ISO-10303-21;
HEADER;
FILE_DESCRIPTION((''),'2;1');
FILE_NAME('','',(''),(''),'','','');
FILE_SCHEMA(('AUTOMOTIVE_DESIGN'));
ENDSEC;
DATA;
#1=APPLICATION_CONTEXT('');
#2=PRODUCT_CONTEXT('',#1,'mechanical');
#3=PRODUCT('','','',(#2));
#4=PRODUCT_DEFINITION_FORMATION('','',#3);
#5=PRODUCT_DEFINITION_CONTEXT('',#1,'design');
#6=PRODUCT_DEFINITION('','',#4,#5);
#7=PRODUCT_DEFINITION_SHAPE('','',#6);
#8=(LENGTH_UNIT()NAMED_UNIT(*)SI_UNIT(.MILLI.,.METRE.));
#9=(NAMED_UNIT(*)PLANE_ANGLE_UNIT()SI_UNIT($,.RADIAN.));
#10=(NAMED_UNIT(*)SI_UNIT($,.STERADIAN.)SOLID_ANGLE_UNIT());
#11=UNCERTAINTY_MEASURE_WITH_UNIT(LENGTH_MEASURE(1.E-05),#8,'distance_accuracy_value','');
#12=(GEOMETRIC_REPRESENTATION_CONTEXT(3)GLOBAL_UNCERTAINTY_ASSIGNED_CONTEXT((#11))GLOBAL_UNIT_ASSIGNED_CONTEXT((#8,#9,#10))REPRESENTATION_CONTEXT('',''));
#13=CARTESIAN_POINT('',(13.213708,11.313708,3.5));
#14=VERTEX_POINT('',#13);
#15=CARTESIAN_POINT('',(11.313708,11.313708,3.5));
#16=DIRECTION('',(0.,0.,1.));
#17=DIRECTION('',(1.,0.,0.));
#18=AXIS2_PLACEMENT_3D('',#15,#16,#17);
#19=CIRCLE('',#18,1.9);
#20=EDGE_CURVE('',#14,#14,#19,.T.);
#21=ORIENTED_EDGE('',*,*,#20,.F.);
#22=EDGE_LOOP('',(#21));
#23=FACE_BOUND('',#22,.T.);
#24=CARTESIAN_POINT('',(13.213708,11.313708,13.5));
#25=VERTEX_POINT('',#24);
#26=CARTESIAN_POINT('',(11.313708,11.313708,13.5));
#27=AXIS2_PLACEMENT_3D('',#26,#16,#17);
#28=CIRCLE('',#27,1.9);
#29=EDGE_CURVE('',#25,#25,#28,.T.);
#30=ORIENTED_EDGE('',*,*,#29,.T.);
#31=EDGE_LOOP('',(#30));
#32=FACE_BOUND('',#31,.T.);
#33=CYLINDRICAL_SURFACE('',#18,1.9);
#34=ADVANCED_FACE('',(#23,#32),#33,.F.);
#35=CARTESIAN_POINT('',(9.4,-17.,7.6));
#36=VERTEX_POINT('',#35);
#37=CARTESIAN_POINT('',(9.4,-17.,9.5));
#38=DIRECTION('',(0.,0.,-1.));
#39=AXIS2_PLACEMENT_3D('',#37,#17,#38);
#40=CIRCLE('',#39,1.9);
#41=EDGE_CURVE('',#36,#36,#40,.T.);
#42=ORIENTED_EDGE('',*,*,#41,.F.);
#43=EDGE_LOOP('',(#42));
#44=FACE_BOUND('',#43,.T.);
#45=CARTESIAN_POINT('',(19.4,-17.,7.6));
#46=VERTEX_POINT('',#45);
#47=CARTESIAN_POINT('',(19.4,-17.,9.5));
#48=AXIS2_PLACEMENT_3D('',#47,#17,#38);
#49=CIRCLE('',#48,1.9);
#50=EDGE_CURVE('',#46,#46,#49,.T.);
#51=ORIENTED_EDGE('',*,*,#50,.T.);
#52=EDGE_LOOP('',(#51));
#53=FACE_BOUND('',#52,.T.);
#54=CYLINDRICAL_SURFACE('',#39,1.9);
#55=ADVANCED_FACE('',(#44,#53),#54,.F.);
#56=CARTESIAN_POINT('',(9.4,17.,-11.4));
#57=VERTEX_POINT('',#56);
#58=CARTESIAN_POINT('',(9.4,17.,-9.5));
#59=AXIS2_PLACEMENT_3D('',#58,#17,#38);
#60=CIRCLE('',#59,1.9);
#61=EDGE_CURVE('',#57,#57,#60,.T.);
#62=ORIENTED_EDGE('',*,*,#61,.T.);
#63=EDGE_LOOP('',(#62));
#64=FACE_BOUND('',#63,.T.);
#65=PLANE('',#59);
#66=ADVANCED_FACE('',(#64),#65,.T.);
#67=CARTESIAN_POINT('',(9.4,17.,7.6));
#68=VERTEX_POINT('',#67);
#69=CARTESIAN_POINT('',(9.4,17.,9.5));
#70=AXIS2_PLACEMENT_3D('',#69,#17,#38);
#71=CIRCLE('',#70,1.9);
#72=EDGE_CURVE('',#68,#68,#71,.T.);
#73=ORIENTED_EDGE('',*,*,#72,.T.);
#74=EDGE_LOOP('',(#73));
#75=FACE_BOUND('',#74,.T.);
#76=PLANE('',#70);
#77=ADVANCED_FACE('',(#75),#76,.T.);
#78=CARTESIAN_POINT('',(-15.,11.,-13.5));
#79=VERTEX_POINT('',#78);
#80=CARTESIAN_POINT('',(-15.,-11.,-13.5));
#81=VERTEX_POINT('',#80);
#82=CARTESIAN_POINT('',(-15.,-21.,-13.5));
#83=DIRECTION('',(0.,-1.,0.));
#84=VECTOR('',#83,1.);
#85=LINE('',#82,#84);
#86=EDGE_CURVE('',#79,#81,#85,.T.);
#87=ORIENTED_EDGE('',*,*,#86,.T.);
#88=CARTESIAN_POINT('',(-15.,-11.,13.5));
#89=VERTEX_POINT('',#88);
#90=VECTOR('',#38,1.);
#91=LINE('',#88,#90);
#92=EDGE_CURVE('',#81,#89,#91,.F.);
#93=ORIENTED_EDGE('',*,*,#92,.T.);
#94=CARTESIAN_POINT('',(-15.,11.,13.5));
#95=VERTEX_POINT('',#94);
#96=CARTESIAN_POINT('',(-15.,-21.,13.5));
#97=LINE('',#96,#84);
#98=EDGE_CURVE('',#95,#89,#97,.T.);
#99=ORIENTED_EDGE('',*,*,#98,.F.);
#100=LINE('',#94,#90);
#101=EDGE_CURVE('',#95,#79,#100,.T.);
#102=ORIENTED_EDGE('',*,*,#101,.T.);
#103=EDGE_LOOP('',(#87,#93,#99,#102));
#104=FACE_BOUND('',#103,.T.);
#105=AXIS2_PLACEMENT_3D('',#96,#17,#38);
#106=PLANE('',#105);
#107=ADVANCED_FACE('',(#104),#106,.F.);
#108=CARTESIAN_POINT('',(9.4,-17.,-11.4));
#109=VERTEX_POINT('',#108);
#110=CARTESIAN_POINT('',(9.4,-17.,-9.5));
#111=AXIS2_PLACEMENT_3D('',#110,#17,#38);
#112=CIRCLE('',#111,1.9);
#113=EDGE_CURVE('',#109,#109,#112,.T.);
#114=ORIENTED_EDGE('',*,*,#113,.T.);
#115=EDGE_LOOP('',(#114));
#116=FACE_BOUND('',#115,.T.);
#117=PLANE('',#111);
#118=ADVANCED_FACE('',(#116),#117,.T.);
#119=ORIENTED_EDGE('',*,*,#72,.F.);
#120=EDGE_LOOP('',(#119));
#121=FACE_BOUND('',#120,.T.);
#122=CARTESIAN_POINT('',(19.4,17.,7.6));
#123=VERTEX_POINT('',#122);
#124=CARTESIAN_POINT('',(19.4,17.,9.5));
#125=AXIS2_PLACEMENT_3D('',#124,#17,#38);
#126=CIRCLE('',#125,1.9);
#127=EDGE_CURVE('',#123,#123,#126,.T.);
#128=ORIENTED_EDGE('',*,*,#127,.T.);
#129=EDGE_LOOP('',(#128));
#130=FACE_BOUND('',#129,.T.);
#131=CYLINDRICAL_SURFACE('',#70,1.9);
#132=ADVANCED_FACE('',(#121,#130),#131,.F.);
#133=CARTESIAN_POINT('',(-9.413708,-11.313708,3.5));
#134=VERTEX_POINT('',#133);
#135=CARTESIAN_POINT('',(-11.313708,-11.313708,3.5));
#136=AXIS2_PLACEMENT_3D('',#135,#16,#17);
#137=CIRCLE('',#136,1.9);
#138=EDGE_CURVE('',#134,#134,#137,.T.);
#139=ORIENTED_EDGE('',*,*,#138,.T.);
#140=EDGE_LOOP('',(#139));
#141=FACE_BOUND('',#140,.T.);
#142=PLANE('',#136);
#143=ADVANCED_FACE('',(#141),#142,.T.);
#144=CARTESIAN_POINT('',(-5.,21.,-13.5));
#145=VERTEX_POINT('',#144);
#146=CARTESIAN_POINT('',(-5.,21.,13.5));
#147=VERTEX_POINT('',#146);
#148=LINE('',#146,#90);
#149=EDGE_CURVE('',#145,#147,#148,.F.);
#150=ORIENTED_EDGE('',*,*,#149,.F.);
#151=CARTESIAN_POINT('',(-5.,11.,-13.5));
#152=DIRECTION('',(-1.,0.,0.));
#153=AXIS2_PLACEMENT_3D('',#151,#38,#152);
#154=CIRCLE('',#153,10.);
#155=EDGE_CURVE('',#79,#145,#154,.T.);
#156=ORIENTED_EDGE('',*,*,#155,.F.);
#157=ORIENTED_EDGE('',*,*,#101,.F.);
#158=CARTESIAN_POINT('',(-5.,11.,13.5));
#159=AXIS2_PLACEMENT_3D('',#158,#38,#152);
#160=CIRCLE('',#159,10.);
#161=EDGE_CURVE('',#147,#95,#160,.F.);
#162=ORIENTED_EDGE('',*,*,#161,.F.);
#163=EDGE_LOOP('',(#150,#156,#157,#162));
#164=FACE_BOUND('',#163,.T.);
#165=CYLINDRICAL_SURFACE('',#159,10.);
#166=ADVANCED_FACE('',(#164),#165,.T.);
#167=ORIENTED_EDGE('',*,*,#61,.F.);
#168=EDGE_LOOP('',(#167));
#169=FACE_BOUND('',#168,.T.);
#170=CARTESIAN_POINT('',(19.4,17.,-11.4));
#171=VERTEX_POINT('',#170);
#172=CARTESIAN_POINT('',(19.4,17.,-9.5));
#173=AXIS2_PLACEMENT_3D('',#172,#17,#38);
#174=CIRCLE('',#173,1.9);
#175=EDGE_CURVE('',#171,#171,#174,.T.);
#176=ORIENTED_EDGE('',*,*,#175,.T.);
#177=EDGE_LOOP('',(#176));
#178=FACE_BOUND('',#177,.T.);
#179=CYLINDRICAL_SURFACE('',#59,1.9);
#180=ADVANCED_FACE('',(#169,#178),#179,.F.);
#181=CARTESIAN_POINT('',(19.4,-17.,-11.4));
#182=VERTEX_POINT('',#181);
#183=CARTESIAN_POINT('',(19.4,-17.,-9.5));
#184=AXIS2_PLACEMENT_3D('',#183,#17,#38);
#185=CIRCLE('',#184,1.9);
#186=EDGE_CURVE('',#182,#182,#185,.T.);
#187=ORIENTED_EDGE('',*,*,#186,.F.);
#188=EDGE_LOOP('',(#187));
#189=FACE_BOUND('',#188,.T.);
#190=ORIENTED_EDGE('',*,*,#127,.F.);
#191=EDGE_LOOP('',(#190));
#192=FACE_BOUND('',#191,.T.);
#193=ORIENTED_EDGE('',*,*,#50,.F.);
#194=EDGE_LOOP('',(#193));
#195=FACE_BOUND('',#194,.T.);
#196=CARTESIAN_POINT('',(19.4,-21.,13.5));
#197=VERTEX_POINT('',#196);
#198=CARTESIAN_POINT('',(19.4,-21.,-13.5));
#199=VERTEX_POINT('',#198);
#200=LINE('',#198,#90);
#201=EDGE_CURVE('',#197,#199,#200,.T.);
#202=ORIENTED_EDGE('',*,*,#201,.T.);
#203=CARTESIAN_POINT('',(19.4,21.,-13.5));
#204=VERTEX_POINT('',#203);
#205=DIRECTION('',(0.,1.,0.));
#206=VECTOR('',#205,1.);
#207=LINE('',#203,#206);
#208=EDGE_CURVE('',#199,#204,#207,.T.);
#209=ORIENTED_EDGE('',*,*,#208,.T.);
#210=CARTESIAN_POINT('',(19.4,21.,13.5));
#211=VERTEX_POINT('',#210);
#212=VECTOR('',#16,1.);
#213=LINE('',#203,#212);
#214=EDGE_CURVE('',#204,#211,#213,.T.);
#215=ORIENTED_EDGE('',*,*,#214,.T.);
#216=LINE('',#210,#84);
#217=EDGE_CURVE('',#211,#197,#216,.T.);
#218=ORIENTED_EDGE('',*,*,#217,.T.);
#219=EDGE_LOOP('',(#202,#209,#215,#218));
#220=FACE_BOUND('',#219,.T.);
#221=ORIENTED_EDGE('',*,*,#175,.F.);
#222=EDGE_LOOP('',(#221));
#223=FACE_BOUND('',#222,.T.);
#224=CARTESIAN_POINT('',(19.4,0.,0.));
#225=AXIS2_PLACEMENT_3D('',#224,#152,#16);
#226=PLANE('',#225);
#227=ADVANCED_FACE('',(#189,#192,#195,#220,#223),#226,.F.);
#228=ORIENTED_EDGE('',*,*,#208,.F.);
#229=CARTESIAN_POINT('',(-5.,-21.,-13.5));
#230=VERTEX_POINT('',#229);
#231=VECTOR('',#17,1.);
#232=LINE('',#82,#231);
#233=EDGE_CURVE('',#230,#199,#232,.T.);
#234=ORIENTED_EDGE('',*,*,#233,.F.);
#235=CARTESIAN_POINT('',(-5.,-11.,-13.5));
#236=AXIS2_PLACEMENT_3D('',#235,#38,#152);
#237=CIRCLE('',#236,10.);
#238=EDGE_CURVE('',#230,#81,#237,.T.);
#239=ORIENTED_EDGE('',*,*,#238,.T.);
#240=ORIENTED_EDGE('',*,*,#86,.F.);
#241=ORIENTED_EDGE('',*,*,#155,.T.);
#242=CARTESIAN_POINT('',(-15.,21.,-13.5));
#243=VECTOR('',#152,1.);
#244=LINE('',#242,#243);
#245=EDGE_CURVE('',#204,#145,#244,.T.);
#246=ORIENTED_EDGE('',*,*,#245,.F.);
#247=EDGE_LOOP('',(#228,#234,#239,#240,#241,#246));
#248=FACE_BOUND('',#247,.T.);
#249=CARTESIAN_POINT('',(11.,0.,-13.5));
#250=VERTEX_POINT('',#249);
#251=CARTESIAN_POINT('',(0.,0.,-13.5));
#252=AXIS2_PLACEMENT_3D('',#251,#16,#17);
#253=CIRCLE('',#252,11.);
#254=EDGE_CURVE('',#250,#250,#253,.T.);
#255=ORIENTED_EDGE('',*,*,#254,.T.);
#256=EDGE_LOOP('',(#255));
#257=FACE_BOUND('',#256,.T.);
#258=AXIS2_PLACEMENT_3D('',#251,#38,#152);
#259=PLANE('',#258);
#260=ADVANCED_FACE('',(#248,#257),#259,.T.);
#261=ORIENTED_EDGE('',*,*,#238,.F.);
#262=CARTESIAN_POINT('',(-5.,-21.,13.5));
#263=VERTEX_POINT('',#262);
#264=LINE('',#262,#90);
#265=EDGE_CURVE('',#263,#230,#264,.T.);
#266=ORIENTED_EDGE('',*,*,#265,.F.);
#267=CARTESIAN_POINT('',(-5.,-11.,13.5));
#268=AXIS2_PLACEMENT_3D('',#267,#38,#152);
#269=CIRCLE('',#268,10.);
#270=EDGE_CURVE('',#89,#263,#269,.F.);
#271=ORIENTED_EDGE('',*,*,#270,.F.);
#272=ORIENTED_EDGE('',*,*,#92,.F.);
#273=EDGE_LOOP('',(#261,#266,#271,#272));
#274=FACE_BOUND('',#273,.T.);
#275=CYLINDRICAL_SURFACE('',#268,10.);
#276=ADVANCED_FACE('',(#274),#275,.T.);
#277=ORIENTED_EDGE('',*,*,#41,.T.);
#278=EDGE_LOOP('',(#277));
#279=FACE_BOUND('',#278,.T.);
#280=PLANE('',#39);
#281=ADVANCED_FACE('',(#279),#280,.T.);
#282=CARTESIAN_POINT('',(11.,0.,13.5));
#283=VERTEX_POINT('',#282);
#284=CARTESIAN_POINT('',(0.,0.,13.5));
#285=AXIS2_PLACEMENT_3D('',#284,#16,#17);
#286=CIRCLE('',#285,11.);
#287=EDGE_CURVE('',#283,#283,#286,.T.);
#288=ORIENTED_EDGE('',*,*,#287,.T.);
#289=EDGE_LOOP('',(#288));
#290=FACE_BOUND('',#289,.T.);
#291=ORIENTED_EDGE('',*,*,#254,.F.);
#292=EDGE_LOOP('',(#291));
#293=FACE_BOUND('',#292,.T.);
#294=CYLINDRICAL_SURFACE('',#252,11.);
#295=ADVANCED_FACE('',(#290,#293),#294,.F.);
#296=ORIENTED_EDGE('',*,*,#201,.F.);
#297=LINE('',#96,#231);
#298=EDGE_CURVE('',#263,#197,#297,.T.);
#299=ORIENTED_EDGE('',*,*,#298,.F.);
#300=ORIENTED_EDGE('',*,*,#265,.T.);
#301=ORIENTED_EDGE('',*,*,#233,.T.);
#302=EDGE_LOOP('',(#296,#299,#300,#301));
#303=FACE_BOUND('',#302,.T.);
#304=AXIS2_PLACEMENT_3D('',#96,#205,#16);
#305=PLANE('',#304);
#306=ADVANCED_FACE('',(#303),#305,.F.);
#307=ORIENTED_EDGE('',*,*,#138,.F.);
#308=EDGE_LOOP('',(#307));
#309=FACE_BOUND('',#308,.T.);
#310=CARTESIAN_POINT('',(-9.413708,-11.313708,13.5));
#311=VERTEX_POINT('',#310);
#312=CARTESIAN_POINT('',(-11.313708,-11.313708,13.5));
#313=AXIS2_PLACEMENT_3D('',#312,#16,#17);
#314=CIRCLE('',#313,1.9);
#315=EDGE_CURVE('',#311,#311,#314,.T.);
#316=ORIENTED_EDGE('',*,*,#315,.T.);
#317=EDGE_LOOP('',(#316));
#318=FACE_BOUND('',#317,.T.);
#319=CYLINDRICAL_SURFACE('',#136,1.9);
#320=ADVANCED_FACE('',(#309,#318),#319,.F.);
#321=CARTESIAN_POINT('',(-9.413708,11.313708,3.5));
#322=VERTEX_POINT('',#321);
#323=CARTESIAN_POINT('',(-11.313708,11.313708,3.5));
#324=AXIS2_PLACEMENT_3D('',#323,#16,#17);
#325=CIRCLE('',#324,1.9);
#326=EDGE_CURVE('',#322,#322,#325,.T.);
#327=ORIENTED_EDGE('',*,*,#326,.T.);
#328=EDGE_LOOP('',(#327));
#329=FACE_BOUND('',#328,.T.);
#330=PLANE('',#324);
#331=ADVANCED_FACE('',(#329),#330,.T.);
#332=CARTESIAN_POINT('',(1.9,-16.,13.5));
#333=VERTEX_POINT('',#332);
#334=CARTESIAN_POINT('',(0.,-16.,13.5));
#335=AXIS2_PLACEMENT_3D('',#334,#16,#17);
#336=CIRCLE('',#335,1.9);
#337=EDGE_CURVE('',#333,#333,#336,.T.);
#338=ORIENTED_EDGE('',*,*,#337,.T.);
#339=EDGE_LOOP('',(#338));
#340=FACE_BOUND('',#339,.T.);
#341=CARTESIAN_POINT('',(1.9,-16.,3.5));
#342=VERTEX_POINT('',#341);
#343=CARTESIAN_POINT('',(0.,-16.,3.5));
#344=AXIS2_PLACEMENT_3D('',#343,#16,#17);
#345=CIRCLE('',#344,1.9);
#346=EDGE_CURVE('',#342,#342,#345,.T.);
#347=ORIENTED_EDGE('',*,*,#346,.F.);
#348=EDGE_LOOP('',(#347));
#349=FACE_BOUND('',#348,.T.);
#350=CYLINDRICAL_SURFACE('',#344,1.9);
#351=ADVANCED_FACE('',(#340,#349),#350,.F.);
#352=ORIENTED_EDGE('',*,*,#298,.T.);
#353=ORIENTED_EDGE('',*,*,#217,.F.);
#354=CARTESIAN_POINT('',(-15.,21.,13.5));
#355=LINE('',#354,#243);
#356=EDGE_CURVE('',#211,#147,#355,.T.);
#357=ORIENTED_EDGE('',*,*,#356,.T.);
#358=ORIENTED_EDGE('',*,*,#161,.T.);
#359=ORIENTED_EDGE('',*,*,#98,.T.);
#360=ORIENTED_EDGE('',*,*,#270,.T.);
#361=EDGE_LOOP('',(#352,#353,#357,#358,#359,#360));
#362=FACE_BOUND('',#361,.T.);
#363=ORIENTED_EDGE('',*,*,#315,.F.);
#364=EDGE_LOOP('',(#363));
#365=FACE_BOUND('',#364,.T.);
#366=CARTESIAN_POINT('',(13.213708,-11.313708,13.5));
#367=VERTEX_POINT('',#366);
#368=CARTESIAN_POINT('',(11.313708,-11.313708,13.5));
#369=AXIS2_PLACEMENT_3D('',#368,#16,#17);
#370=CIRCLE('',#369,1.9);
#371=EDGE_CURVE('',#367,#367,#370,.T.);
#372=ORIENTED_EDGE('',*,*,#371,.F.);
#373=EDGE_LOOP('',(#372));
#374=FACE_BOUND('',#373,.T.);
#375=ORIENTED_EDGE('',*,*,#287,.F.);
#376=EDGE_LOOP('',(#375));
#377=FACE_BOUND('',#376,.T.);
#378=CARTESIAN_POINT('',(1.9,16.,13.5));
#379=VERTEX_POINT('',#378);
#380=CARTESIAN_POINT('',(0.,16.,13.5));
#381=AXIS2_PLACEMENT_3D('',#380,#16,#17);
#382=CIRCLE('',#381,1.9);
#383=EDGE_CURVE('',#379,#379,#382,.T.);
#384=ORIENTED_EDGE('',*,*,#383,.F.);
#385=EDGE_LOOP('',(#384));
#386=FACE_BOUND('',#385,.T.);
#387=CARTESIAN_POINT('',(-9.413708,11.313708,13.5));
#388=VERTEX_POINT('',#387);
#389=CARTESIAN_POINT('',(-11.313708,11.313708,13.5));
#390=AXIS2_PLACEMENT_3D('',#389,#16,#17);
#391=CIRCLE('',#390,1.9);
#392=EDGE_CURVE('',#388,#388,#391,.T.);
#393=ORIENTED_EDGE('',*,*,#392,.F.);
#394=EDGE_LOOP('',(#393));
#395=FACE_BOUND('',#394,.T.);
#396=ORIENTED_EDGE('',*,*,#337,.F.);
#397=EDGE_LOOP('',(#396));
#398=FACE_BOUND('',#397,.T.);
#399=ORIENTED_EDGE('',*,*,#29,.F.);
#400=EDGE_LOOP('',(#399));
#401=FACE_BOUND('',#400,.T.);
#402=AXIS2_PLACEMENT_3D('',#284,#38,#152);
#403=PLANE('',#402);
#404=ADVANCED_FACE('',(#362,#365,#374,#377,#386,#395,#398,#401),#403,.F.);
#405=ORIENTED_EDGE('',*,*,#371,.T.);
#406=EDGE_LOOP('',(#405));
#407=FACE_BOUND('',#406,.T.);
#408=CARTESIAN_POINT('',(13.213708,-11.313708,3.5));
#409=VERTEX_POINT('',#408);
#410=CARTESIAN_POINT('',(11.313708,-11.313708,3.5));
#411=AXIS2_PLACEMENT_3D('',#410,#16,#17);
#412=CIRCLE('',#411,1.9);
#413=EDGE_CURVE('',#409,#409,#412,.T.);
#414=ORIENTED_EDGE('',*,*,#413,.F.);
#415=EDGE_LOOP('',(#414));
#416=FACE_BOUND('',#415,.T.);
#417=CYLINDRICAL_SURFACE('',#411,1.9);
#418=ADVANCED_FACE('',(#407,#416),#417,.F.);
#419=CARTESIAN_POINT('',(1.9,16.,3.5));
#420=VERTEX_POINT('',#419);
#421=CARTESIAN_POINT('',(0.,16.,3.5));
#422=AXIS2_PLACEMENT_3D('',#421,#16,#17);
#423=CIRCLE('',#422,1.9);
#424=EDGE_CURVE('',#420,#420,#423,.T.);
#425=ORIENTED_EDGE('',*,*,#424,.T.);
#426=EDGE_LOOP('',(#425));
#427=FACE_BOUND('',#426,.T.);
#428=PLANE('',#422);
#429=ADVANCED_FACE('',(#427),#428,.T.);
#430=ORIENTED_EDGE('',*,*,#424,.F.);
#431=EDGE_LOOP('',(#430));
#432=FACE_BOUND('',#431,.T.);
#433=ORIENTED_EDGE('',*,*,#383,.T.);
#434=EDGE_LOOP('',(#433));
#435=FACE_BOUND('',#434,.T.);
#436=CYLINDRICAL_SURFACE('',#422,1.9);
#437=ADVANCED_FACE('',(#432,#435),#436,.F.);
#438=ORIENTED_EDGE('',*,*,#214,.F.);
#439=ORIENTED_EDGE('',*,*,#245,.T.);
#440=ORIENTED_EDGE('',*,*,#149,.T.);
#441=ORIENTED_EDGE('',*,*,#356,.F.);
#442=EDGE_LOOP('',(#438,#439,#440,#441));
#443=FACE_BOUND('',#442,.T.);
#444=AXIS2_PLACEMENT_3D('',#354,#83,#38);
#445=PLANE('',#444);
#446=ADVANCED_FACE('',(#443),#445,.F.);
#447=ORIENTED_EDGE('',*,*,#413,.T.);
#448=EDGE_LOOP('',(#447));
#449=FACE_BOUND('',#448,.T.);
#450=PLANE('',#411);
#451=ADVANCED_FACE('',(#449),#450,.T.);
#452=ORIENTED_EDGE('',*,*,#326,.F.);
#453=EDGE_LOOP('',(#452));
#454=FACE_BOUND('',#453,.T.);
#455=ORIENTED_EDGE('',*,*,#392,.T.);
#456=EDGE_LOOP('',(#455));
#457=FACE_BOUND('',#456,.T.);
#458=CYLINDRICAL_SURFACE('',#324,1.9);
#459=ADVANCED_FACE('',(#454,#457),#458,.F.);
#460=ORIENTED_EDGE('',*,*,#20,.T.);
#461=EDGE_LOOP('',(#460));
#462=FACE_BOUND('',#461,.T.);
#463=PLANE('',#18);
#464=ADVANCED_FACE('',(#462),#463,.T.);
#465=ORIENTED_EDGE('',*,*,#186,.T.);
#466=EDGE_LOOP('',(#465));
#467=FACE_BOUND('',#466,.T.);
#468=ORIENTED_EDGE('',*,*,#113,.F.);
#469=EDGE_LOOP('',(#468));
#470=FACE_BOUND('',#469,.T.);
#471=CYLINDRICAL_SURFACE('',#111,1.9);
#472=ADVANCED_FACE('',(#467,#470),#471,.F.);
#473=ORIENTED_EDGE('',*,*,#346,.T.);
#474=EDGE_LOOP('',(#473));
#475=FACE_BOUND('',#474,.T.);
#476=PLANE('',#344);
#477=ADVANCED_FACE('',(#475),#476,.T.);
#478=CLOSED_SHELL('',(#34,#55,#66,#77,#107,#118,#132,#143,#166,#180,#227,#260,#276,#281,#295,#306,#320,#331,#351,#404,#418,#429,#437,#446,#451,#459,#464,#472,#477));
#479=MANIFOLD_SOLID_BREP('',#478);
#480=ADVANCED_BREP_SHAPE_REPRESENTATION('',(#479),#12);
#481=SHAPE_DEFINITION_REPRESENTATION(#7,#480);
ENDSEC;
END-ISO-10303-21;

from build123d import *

# Parameters (mm, degrees)
SKETCH1_W           = 30
SKETCH1_H           = 42
BOSS_EXTRUDE1_DEPTH = 13.5
SKETCH2_R           = 11
CUT_EXTRUDE1_DEPTH  = 38.349698794
SKETCH3_R           = 1.9
CUT_EXTRUDE2_DEPTH  = 10
SKETCH7_W           = 27
SKETCH7_H           = 42
BOSS_EXTRUDE2_DEPTH = 4.4
SKETCH6_R           = 1.9
CUT_EXTRUDE3_DEPTH  = 10
FILLET1_R           = 10


with BuildPart() as part:
    # Sketch1 → Boss-Extrude1 (new, symmetric)
    with BuildSketch(Plane.XY):
        Rectangle(SKETCH1_W, SKETCH1_H)
    extrude(amount=BOSS_EXTRUDE1_DEPTH, both=True)

    # Sketch2 → Cut-Extrude1 (cut, through all)
    with BuildSketch(Plane.XY.offset(13.5)):
        Circle(SKETCH2_R)
    extrude(amount=-CUT_EXTRUDE1_DEPTH, mode=Mode.SUBTRACT)

    # Sketch3 → Cut-Extrude2 (cut)
    with BuildSketch(Plane.XY.offset(13.5)):
        with Locations((-11.313708499, 11.313708499)):
            Circle(SKETCH3_R)
        with Locations((0, 16)):
            Circle(SKETCH3_R)
        with Locations((11.313708499, 11.313708499)):
            Circle(SKETCH3_R)
        with Locations((11.313708499, -11.313708499)):
            Circle(SKETCH3_R)
        with Locations((0, -16)):
            Circle(SKETCH3_R)
        with Locations((-11.313708499, -11.313708499)):
            Circle(SKETCH3_R)
    extrude(amount=-CUT_EXTRUDE2_DEPTH, mode=Mode.SUBTRACT)

    # Sketch7 → Boss-Extrude2 (add)
    with BuildSketch(Plane(origin=(15, 0, 0), x_dir=(0, 0, -1), z_dir=(1, 0, 0))):
        Rectangle(SKETCH7_W, SKETCH7_H)
    extrude(amount=BOSS_EXTRUDE2_DEPTH)

    # Sketch6 → Cut-Extrude3 (cut)
    with BuildSketch(Plane(origin=(19.4, 0, 0), x_dir=(0, 0, -1), z_dir=(1, 0, 0))):
        with Locations((9.5, 17)):
            Circle(SKETCH6_R)
        with Locations((-9.5, 17)):
            Circle(SKETCH6_R)
        with Locations((9.5, -17)):
            Circle(SKETCH6_R)
        with Locations((-9.5, -17)):
            Circle(SKETCH6_R)
    extrude(amount=-CUT_EXTRUDE3_DEPTH, mode=Mode.SUBTRACT)

    # Fillet1
    fillet1_edges = [part.edges().sort_by_distance(p)[0] for p in [
        (-15, -21, 0),
        (-15, 21, 0),
    ]]
    fillet(fillet1_edges, radius=FILLET1_R)


solid = part.part
